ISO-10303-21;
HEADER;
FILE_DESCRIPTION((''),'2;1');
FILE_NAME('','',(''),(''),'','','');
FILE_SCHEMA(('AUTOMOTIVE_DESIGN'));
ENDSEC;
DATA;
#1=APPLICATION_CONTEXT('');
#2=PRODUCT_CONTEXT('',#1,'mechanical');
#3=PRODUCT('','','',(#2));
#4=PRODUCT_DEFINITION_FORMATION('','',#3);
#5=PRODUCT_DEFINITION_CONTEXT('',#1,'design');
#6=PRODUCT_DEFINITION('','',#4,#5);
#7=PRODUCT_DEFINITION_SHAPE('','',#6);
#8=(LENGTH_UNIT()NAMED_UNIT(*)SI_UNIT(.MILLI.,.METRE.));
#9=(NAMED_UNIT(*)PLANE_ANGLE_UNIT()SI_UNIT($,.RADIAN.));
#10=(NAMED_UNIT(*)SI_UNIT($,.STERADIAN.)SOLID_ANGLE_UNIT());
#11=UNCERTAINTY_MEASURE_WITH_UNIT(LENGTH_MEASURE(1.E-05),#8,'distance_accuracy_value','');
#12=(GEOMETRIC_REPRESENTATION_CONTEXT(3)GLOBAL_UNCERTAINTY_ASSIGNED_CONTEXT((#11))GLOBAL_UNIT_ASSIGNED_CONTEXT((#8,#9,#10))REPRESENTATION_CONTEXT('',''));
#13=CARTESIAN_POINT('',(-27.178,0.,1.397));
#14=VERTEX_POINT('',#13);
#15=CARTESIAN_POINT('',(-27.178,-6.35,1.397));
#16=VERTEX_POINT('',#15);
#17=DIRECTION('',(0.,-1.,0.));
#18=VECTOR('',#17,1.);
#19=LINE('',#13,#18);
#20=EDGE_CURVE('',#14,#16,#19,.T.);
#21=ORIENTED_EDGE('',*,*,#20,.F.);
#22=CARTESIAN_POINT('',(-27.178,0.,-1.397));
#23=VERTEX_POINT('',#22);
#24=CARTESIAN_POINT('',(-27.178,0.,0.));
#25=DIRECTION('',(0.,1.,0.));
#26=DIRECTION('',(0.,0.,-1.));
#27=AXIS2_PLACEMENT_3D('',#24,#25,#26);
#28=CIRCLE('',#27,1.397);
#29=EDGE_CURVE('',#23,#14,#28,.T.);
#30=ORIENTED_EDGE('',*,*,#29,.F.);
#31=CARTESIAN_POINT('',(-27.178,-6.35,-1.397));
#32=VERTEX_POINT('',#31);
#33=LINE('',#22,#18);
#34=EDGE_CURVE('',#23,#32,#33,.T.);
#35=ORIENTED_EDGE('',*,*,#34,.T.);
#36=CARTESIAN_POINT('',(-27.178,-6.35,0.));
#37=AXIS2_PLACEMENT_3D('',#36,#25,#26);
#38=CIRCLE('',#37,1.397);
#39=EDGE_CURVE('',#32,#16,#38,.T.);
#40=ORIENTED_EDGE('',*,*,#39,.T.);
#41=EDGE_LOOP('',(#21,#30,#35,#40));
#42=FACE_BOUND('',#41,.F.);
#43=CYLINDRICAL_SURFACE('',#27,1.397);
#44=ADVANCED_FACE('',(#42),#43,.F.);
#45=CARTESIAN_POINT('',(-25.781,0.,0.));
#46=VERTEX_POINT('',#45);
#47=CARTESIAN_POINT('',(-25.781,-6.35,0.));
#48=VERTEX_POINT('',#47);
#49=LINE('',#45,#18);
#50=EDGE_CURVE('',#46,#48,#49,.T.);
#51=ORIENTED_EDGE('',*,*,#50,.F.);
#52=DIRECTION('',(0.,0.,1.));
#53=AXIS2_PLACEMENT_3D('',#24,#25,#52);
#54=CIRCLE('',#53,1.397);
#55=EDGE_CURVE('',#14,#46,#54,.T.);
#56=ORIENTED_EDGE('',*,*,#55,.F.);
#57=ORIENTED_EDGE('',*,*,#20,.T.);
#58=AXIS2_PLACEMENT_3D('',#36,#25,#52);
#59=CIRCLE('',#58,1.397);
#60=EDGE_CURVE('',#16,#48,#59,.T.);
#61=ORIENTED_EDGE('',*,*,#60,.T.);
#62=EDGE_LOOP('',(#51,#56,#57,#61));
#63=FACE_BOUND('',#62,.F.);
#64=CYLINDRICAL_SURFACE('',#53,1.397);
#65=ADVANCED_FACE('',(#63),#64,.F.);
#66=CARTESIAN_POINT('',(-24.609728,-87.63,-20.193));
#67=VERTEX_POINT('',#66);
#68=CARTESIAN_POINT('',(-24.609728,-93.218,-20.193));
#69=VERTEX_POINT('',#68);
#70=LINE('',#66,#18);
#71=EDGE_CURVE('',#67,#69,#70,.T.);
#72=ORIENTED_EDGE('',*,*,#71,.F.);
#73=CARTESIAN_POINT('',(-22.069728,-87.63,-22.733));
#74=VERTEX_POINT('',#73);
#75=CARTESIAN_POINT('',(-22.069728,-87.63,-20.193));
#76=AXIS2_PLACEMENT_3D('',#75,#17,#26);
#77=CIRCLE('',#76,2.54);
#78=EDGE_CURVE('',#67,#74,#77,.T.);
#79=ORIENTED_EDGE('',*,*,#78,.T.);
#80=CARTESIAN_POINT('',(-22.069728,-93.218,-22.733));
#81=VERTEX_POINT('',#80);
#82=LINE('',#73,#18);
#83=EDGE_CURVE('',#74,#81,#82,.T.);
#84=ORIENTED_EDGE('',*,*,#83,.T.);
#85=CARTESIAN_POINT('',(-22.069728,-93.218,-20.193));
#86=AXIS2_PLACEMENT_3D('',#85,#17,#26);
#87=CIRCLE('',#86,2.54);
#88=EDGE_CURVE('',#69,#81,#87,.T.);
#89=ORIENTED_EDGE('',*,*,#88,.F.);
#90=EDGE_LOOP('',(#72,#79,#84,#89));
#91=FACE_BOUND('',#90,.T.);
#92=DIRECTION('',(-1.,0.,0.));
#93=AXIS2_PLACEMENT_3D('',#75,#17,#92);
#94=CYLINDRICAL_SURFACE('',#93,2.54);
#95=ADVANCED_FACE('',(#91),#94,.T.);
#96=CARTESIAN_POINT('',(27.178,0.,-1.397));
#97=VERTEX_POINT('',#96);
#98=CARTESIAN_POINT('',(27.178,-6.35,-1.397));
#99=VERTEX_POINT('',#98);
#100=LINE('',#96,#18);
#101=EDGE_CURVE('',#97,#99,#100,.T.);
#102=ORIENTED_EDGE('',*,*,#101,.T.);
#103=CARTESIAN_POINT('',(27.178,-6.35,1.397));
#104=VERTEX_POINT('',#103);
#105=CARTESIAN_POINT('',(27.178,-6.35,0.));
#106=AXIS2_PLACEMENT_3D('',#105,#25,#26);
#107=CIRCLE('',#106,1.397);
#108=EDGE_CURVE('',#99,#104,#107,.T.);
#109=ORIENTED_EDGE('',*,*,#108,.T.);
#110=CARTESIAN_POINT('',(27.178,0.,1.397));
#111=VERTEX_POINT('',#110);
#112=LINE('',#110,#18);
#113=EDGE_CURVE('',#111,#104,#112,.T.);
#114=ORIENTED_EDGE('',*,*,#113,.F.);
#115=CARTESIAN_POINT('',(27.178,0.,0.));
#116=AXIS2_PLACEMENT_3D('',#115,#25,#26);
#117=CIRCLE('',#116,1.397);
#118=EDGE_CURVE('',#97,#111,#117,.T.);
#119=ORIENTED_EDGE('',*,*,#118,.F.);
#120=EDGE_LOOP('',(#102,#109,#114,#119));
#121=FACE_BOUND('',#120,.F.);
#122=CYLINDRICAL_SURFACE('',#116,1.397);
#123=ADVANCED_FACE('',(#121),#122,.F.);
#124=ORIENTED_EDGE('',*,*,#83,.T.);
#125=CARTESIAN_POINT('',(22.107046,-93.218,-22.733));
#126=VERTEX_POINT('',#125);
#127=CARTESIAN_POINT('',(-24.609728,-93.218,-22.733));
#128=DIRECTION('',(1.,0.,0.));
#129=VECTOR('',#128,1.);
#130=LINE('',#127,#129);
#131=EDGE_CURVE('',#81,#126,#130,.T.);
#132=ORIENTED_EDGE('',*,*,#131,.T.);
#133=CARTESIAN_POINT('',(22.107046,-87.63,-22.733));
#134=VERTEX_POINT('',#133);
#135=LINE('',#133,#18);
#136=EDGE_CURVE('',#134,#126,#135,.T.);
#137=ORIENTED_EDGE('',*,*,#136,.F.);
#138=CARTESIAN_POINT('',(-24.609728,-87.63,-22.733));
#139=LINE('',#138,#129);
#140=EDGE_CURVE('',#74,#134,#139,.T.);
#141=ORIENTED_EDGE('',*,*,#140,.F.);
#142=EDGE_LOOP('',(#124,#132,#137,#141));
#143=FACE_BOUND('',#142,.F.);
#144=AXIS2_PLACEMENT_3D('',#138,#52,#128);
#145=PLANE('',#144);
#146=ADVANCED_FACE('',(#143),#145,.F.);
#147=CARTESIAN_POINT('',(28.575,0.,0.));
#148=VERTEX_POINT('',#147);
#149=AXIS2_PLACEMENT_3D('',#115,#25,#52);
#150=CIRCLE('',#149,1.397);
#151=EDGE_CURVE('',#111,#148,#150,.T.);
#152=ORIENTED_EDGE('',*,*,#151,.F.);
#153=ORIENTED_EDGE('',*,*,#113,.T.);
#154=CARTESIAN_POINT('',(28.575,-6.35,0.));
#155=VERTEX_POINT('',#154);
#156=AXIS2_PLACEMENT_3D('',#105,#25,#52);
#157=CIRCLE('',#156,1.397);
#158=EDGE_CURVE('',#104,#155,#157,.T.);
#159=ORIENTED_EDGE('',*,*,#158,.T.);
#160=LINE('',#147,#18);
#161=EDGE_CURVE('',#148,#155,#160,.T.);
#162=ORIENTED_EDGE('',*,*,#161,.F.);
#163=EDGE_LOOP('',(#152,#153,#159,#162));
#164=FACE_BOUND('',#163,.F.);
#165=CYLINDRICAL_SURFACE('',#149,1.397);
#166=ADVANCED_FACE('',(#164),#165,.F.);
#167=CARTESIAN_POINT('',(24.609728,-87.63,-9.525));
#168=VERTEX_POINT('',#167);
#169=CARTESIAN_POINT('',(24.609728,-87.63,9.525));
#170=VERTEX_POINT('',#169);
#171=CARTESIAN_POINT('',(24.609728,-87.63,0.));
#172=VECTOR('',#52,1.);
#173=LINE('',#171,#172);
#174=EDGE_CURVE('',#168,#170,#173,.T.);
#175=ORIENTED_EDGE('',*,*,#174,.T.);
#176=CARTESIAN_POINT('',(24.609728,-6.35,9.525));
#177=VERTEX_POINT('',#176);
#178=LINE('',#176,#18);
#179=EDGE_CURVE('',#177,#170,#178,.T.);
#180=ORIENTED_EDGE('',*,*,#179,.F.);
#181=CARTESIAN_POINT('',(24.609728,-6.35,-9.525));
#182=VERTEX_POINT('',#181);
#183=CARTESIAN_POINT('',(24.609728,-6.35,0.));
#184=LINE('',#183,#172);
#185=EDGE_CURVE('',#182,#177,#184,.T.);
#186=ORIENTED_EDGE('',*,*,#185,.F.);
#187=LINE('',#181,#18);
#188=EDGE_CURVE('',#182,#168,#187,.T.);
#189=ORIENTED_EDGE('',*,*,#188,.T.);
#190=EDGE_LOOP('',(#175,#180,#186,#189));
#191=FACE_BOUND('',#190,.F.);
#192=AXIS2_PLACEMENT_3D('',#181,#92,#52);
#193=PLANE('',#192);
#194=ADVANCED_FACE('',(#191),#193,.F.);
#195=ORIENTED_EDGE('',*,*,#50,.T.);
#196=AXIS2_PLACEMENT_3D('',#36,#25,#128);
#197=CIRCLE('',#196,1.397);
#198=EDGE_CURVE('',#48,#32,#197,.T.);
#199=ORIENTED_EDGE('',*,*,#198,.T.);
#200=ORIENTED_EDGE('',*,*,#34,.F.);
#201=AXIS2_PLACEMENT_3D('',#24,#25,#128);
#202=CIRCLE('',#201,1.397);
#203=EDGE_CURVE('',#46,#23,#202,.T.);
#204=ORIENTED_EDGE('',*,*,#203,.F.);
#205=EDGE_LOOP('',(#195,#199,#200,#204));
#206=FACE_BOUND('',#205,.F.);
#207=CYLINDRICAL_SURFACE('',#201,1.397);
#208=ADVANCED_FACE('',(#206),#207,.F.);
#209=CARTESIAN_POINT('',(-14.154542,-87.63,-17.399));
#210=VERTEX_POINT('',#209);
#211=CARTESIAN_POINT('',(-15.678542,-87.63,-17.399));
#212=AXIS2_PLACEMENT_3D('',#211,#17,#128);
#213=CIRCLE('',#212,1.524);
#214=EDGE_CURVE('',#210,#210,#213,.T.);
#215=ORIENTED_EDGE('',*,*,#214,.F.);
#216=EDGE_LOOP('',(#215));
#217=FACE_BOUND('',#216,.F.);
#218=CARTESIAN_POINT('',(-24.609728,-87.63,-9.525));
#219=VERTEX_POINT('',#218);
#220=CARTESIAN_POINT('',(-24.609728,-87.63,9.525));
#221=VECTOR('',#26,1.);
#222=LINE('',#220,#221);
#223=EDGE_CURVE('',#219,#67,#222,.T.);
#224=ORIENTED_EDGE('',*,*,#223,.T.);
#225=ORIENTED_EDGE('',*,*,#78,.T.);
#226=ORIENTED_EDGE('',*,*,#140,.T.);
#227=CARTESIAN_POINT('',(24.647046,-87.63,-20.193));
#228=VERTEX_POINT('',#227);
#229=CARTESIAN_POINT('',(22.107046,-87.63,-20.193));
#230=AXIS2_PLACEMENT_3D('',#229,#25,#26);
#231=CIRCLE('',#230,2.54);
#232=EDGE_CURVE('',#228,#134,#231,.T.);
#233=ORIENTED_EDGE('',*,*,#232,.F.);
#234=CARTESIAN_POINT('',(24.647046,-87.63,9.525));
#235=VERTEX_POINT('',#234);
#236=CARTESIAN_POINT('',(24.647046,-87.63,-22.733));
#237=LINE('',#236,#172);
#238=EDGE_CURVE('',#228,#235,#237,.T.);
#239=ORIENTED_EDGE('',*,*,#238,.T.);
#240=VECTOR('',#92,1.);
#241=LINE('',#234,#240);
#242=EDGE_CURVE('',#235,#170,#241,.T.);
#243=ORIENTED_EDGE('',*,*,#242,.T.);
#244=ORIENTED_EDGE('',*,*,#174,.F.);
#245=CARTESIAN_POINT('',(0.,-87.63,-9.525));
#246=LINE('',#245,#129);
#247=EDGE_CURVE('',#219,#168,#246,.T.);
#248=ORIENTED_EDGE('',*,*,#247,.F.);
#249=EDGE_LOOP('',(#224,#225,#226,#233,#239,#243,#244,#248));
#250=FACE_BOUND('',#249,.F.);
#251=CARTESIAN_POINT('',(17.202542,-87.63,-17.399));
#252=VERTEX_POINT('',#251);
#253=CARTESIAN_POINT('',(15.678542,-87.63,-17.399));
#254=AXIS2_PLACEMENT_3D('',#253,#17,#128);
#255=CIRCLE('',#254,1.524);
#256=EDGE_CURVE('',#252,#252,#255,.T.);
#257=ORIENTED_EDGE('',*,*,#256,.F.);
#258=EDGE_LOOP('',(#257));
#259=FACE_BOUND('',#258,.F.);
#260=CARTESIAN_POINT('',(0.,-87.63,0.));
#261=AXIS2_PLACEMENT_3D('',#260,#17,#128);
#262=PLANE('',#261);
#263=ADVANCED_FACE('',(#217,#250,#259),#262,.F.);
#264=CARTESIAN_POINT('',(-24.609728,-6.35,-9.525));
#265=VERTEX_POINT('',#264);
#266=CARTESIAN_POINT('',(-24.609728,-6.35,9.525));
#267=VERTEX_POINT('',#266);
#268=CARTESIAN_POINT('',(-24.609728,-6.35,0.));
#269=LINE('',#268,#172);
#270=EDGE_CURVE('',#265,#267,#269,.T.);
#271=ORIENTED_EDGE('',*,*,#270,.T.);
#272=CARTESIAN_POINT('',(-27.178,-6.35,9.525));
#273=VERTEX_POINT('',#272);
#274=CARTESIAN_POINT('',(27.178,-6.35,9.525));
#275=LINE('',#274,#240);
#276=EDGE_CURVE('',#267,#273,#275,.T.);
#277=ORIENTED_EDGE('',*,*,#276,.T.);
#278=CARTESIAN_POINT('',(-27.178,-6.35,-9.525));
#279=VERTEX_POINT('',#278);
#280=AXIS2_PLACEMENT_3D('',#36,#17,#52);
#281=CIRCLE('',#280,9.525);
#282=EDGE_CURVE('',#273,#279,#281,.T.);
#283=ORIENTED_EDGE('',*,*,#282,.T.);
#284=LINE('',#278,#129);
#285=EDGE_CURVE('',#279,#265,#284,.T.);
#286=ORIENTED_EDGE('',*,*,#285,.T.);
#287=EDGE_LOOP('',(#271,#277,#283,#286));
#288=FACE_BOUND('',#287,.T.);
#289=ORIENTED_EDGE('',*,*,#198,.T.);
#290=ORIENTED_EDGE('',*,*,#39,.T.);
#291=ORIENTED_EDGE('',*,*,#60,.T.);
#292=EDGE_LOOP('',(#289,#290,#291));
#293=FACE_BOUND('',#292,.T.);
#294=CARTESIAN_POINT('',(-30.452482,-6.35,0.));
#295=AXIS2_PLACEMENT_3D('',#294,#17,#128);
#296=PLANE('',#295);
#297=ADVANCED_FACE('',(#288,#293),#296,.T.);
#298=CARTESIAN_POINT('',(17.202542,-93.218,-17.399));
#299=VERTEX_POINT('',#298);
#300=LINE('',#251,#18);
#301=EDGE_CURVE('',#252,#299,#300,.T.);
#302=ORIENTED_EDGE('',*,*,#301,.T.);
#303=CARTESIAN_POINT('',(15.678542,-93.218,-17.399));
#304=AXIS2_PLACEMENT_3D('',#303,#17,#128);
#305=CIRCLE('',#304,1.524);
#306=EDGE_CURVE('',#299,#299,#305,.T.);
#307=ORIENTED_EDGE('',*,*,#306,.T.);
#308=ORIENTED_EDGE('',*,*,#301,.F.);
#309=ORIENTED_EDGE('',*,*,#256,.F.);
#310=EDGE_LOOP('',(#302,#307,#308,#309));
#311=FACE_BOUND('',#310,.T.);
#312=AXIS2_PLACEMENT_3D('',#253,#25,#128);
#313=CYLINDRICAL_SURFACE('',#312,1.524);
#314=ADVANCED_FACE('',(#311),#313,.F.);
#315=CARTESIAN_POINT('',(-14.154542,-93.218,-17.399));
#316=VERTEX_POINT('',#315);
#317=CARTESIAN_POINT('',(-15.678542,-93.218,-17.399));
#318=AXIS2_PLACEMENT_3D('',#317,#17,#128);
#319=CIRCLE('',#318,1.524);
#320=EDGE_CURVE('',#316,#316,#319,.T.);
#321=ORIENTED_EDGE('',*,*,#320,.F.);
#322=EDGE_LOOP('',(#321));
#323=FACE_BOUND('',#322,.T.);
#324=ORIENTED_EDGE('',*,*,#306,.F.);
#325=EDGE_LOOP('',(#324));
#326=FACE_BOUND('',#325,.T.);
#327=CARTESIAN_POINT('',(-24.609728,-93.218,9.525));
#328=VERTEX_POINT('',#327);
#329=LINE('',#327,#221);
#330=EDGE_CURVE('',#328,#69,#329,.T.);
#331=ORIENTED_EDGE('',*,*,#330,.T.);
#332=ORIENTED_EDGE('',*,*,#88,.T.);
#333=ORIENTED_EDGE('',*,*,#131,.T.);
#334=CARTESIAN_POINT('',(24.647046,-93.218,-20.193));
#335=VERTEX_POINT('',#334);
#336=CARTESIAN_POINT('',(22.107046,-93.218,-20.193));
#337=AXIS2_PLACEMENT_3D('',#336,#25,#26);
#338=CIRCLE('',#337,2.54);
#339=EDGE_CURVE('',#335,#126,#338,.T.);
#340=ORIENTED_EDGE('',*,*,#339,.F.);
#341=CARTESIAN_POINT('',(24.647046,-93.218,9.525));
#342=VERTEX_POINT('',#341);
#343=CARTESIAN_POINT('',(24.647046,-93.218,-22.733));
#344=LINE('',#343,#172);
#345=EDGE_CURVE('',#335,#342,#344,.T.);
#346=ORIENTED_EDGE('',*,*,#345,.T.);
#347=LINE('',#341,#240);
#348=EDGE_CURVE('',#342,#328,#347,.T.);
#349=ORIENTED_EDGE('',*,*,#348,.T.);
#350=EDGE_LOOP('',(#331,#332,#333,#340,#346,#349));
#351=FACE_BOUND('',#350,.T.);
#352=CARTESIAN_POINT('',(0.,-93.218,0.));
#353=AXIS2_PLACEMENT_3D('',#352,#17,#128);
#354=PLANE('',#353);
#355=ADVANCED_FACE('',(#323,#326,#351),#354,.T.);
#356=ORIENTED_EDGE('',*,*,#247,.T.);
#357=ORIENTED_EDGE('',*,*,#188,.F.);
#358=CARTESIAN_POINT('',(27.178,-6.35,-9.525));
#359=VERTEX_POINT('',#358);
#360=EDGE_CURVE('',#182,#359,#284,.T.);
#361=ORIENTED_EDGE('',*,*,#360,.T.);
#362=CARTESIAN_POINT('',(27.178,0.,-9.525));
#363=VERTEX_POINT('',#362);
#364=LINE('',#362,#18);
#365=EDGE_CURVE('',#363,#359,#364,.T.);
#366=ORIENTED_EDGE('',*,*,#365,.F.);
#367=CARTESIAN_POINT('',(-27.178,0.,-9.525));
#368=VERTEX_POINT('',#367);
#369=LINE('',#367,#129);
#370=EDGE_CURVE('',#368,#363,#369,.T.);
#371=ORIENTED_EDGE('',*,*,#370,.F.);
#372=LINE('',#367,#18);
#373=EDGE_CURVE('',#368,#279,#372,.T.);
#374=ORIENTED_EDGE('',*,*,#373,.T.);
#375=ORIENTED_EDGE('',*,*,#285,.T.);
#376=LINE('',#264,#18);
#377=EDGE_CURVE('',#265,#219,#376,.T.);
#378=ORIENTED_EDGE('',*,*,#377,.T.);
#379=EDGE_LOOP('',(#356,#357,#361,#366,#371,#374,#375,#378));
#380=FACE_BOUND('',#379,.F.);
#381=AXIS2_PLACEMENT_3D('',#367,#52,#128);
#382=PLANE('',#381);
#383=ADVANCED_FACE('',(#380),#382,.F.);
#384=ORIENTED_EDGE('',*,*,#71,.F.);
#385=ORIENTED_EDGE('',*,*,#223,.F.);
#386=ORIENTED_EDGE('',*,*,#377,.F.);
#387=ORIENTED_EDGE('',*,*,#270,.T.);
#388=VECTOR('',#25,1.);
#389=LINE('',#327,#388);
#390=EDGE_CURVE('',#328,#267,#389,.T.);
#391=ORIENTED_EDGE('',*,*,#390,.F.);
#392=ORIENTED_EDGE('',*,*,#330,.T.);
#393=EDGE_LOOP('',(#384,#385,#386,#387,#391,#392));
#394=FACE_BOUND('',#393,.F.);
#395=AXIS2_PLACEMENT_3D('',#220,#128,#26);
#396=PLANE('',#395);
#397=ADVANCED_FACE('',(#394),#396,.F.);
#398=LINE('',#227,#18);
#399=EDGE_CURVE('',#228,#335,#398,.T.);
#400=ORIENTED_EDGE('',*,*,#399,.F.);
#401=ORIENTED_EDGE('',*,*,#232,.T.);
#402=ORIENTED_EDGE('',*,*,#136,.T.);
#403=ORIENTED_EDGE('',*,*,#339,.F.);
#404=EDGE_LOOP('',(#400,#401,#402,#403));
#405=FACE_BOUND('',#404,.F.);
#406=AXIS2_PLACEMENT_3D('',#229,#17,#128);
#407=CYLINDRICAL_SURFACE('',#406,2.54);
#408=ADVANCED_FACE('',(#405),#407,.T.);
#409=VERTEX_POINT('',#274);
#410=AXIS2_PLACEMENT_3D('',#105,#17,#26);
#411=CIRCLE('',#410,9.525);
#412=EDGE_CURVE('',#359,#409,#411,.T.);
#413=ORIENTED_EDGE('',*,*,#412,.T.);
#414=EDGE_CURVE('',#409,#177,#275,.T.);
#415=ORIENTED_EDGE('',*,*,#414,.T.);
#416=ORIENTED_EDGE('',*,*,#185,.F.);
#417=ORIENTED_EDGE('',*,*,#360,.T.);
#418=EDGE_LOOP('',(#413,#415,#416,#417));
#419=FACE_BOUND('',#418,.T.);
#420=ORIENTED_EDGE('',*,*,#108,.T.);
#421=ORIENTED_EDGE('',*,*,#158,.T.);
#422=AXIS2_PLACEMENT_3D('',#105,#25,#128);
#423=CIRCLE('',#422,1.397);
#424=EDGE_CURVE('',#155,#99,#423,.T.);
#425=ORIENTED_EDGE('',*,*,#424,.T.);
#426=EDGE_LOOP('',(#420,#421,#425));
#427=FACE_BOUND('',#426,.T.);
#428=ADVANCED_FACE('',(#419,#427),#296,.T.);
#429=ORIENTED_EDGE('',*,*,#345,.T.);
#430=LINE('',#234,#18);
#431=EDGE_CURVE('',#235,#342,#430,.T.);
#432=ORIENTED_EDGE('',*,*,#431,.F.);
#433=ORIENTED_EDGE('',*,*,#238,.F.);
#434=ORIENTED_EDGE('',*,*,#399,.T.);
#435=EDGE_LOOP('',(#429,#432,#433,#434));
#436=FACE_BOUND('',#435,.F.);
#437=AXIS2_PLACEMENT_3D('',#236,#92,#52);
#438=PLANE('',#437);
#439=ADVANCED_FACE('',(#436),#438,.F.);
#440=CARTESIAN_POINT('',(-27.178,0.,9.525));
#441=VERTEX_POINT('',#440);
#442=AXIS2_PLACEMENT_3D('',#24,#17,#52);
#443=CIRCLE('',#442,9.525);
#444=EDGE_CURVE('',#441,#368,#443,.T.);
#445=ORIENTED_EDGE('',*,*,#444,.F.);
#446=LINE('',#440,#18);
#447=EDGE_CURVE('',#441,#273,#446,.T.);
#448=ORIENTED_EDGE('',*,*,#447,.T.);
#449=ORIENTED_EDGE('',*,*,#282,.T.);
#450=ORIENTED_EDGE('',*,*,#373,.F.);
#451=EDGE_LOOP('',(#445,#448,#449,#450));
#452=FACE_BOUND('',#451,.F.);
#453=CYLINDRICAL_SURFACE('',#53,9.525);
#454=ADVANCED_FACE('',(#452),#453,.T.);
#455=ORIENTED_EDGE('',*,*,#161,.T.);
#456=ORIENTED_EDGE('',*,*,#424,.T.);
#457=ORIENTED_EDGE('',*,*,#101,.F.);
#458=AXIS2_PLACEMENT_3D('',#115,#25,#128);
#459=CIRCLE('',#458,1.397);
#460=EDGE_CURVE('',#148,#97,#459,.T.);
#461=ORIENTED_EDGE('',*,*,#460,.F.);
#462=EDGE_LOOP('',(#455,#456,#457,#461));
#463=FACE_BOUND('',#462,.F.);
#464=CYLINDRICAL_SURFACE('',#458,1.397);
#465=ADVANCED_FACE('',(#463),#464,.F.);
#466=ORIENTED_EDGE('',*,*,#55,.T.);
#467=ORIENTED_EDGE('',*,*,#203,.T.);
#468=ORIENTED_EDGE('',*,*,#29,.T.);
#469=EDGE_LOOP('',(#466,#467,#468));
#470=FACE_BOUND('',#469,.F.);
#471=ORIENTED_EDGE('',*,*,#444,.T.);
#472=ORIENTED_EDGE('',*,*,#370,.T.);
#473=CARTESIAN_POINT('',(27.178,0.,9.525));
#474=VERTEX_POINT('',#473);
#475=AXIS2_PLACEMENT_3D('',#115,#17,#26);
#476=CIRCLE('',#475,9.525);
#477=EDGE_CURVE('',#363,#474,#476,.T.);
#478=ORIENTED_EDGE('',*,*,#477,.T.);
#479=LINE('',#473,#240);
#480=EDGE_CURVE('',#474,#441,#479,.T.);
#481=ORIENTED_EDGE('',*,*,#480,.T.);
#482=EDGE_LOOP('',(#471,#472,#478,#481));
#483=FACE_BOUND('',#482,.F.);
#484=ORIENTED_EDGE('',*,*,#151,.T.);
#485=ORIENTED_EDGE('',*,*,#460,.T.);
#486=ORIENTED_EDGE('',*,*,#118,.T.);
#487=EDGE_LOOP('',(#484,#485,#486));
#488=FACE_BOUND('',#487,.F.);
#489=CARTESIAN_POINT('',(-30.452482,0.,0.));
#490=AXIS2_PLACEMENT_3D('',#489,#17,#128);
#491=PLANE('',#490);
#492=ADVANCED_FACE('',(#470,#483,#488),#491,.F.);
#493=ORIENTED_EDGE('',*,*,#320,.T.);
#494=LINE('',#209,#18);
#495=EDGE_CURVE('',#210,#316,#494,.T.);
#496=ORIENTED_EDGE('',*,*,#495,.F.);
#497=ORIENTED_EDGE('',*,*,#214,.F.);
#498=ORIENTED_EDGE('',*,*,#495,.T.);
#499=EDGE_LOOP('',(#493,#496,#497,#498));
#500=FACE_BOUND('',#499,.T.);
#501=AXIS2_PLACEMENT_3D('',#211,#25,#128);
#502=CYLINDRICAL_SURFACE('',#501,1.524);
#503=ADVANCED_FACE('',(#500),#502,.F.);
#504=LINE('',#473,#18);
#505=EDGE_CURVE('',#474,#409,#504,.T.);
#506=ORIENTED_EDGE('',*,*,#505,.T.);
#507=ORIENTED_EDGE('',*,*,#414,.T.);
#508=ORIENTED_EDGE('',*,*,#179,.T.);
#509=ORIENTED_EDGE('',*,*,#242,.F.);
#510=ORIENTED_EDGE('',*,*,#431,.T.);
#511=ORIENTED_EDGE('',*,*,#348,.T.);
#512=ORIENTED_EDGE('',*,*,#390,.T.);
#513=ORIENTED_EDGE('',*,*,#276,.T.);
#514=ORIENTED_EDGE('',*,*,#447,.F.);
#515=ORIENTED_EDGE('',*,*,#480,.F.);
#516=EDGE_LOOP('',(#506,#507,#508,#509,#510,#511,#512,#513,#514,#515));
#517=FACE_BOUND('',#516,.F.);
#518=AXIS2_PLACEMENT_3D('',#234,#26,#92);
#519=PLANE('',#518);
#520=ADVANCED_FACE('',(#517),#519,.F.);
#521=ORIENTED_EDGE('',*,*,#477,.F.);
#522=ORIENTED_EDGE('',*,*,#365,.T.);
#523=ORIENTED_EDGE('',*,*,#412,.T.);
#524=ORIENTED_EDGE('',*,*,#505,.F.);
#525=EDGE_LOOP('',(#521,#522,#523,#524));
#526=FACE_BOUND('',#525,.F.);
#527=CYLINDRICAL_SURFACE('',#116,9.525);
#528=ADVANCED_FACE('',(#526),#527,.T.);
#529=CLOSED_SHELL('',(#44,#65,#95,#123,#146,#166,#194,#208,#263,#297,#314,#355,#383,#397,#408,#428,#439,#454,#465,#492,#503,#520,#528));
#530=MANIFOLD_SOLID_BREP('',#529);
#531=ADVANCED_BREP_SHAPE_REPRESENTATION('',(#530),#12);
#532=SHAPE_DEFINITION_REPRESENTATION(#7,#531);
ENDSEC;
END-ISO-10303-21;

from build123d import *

# Parameters (mm, degrees)
F1_DEPTH = 6.35
F2_W     = 49.21945557
F2_H     = 19.05
F3_DEPTH = 81.28
F4_W     = 49.21945557
F4_H     = 19.05
F4_R     = 1.524
F5_DEPTH = 5.588
F6_R     = 2.54


with BuildPart() as f1:
    # F0 (on Front) → F1 (new body)
    with BuildSketch(Plane.XZ):
        with BuildLine():
            ThreePointArc((-27.178, 9.525), (-36.703, 0), (-27.178, -9.525))
            Line((-27.178, -9.525), (-27.178, -1.397))
            ThreePointArc((-27.178, -1.397), (-28.575, 0), (-27.178, 1.397))
            Line((-27.178, 1.397), (-27.178, 9.525))
        make_face()
        with BuildLine():
            Line((-27.178, -9.525), (27.178, -9.525))
            Line((27.178, -9.525), (27.178, -1.397))
            ThreePointArc((27.178, -1.397), (25.781, 0), (27.178, 1.397))
            Line((27.178, 1.397), (27.178, 9.525))
            Line((27.178, 9.525), (-27.178, 9.525))
            Line((-27.178, 9.525), (-27.178, 1.397))
            ThreePointArc((-27.178, 1.397), (-26.1901718267, 0.9878281733), (-25.781, 0))
            ThreePointArc((-25.781, 0), (-26.1901718267, -0.9878281733), (-27.178, -1.397))
            Line((-27.178, -1.397), (-27.178, -9.525))
        make_face()
        with BuildLine():
            Line((27.178, -1.397), (27.178, -9.525))
            ThreePointArc((27.178, -9.525), (36.703, 0), (27.178, 9.525))
            Line((27.178, 9.525), (27.178, 1.397))
            ThreePointArc((27.178, 1.397), (28.1658281733, 0.9878281733), (28.575, 0))
            ThreePointArc((28.575, 0), (28.1658281733, -0.9878281733), (27.178, -1.397))
        make_face()
    extrude(amount=F1_DEPTH)

    # F2 (on face) → F3 (join)
    with BuildSketch(Plane.XZ.offset(6.35)):
        Rectangle(F2_W, F2_H)
    extrude(amount=F3_DEPTH)

    # F4 (on face) → F5 (join)
    with BuildSketch(Plane.XZ.offset(87.63)):
        Rectangle(F4_W, F4_H)
        Polygon((24.6470458806, 9.525), (24.609727785, 9.525), (24.609727785, -9.525), (-24.609727785, -9.525), (-24.609727785, -22.733), (24.6470458806, -22.733), align=None)
        with Locations((-15.678541685, -17.399)):
            Circle(F4_R, mode=Mode.SUBTRACT)
        with Locations((15.678541685, -17.399)):
            Circle(F4_R, mode=Mode.SUBTRACT)
    extrude(amount=F5_DEPTH)

    # F6
    f6_edges = [f1.edges().sort_by_distance(p)[0] for p in [
        (-24.609728, -90.424, -22.733),
        (24.647046, -90.424, -22.733),
    ]]
    fillet(f6_edges, radius=F6_R)


solid = f1.part
